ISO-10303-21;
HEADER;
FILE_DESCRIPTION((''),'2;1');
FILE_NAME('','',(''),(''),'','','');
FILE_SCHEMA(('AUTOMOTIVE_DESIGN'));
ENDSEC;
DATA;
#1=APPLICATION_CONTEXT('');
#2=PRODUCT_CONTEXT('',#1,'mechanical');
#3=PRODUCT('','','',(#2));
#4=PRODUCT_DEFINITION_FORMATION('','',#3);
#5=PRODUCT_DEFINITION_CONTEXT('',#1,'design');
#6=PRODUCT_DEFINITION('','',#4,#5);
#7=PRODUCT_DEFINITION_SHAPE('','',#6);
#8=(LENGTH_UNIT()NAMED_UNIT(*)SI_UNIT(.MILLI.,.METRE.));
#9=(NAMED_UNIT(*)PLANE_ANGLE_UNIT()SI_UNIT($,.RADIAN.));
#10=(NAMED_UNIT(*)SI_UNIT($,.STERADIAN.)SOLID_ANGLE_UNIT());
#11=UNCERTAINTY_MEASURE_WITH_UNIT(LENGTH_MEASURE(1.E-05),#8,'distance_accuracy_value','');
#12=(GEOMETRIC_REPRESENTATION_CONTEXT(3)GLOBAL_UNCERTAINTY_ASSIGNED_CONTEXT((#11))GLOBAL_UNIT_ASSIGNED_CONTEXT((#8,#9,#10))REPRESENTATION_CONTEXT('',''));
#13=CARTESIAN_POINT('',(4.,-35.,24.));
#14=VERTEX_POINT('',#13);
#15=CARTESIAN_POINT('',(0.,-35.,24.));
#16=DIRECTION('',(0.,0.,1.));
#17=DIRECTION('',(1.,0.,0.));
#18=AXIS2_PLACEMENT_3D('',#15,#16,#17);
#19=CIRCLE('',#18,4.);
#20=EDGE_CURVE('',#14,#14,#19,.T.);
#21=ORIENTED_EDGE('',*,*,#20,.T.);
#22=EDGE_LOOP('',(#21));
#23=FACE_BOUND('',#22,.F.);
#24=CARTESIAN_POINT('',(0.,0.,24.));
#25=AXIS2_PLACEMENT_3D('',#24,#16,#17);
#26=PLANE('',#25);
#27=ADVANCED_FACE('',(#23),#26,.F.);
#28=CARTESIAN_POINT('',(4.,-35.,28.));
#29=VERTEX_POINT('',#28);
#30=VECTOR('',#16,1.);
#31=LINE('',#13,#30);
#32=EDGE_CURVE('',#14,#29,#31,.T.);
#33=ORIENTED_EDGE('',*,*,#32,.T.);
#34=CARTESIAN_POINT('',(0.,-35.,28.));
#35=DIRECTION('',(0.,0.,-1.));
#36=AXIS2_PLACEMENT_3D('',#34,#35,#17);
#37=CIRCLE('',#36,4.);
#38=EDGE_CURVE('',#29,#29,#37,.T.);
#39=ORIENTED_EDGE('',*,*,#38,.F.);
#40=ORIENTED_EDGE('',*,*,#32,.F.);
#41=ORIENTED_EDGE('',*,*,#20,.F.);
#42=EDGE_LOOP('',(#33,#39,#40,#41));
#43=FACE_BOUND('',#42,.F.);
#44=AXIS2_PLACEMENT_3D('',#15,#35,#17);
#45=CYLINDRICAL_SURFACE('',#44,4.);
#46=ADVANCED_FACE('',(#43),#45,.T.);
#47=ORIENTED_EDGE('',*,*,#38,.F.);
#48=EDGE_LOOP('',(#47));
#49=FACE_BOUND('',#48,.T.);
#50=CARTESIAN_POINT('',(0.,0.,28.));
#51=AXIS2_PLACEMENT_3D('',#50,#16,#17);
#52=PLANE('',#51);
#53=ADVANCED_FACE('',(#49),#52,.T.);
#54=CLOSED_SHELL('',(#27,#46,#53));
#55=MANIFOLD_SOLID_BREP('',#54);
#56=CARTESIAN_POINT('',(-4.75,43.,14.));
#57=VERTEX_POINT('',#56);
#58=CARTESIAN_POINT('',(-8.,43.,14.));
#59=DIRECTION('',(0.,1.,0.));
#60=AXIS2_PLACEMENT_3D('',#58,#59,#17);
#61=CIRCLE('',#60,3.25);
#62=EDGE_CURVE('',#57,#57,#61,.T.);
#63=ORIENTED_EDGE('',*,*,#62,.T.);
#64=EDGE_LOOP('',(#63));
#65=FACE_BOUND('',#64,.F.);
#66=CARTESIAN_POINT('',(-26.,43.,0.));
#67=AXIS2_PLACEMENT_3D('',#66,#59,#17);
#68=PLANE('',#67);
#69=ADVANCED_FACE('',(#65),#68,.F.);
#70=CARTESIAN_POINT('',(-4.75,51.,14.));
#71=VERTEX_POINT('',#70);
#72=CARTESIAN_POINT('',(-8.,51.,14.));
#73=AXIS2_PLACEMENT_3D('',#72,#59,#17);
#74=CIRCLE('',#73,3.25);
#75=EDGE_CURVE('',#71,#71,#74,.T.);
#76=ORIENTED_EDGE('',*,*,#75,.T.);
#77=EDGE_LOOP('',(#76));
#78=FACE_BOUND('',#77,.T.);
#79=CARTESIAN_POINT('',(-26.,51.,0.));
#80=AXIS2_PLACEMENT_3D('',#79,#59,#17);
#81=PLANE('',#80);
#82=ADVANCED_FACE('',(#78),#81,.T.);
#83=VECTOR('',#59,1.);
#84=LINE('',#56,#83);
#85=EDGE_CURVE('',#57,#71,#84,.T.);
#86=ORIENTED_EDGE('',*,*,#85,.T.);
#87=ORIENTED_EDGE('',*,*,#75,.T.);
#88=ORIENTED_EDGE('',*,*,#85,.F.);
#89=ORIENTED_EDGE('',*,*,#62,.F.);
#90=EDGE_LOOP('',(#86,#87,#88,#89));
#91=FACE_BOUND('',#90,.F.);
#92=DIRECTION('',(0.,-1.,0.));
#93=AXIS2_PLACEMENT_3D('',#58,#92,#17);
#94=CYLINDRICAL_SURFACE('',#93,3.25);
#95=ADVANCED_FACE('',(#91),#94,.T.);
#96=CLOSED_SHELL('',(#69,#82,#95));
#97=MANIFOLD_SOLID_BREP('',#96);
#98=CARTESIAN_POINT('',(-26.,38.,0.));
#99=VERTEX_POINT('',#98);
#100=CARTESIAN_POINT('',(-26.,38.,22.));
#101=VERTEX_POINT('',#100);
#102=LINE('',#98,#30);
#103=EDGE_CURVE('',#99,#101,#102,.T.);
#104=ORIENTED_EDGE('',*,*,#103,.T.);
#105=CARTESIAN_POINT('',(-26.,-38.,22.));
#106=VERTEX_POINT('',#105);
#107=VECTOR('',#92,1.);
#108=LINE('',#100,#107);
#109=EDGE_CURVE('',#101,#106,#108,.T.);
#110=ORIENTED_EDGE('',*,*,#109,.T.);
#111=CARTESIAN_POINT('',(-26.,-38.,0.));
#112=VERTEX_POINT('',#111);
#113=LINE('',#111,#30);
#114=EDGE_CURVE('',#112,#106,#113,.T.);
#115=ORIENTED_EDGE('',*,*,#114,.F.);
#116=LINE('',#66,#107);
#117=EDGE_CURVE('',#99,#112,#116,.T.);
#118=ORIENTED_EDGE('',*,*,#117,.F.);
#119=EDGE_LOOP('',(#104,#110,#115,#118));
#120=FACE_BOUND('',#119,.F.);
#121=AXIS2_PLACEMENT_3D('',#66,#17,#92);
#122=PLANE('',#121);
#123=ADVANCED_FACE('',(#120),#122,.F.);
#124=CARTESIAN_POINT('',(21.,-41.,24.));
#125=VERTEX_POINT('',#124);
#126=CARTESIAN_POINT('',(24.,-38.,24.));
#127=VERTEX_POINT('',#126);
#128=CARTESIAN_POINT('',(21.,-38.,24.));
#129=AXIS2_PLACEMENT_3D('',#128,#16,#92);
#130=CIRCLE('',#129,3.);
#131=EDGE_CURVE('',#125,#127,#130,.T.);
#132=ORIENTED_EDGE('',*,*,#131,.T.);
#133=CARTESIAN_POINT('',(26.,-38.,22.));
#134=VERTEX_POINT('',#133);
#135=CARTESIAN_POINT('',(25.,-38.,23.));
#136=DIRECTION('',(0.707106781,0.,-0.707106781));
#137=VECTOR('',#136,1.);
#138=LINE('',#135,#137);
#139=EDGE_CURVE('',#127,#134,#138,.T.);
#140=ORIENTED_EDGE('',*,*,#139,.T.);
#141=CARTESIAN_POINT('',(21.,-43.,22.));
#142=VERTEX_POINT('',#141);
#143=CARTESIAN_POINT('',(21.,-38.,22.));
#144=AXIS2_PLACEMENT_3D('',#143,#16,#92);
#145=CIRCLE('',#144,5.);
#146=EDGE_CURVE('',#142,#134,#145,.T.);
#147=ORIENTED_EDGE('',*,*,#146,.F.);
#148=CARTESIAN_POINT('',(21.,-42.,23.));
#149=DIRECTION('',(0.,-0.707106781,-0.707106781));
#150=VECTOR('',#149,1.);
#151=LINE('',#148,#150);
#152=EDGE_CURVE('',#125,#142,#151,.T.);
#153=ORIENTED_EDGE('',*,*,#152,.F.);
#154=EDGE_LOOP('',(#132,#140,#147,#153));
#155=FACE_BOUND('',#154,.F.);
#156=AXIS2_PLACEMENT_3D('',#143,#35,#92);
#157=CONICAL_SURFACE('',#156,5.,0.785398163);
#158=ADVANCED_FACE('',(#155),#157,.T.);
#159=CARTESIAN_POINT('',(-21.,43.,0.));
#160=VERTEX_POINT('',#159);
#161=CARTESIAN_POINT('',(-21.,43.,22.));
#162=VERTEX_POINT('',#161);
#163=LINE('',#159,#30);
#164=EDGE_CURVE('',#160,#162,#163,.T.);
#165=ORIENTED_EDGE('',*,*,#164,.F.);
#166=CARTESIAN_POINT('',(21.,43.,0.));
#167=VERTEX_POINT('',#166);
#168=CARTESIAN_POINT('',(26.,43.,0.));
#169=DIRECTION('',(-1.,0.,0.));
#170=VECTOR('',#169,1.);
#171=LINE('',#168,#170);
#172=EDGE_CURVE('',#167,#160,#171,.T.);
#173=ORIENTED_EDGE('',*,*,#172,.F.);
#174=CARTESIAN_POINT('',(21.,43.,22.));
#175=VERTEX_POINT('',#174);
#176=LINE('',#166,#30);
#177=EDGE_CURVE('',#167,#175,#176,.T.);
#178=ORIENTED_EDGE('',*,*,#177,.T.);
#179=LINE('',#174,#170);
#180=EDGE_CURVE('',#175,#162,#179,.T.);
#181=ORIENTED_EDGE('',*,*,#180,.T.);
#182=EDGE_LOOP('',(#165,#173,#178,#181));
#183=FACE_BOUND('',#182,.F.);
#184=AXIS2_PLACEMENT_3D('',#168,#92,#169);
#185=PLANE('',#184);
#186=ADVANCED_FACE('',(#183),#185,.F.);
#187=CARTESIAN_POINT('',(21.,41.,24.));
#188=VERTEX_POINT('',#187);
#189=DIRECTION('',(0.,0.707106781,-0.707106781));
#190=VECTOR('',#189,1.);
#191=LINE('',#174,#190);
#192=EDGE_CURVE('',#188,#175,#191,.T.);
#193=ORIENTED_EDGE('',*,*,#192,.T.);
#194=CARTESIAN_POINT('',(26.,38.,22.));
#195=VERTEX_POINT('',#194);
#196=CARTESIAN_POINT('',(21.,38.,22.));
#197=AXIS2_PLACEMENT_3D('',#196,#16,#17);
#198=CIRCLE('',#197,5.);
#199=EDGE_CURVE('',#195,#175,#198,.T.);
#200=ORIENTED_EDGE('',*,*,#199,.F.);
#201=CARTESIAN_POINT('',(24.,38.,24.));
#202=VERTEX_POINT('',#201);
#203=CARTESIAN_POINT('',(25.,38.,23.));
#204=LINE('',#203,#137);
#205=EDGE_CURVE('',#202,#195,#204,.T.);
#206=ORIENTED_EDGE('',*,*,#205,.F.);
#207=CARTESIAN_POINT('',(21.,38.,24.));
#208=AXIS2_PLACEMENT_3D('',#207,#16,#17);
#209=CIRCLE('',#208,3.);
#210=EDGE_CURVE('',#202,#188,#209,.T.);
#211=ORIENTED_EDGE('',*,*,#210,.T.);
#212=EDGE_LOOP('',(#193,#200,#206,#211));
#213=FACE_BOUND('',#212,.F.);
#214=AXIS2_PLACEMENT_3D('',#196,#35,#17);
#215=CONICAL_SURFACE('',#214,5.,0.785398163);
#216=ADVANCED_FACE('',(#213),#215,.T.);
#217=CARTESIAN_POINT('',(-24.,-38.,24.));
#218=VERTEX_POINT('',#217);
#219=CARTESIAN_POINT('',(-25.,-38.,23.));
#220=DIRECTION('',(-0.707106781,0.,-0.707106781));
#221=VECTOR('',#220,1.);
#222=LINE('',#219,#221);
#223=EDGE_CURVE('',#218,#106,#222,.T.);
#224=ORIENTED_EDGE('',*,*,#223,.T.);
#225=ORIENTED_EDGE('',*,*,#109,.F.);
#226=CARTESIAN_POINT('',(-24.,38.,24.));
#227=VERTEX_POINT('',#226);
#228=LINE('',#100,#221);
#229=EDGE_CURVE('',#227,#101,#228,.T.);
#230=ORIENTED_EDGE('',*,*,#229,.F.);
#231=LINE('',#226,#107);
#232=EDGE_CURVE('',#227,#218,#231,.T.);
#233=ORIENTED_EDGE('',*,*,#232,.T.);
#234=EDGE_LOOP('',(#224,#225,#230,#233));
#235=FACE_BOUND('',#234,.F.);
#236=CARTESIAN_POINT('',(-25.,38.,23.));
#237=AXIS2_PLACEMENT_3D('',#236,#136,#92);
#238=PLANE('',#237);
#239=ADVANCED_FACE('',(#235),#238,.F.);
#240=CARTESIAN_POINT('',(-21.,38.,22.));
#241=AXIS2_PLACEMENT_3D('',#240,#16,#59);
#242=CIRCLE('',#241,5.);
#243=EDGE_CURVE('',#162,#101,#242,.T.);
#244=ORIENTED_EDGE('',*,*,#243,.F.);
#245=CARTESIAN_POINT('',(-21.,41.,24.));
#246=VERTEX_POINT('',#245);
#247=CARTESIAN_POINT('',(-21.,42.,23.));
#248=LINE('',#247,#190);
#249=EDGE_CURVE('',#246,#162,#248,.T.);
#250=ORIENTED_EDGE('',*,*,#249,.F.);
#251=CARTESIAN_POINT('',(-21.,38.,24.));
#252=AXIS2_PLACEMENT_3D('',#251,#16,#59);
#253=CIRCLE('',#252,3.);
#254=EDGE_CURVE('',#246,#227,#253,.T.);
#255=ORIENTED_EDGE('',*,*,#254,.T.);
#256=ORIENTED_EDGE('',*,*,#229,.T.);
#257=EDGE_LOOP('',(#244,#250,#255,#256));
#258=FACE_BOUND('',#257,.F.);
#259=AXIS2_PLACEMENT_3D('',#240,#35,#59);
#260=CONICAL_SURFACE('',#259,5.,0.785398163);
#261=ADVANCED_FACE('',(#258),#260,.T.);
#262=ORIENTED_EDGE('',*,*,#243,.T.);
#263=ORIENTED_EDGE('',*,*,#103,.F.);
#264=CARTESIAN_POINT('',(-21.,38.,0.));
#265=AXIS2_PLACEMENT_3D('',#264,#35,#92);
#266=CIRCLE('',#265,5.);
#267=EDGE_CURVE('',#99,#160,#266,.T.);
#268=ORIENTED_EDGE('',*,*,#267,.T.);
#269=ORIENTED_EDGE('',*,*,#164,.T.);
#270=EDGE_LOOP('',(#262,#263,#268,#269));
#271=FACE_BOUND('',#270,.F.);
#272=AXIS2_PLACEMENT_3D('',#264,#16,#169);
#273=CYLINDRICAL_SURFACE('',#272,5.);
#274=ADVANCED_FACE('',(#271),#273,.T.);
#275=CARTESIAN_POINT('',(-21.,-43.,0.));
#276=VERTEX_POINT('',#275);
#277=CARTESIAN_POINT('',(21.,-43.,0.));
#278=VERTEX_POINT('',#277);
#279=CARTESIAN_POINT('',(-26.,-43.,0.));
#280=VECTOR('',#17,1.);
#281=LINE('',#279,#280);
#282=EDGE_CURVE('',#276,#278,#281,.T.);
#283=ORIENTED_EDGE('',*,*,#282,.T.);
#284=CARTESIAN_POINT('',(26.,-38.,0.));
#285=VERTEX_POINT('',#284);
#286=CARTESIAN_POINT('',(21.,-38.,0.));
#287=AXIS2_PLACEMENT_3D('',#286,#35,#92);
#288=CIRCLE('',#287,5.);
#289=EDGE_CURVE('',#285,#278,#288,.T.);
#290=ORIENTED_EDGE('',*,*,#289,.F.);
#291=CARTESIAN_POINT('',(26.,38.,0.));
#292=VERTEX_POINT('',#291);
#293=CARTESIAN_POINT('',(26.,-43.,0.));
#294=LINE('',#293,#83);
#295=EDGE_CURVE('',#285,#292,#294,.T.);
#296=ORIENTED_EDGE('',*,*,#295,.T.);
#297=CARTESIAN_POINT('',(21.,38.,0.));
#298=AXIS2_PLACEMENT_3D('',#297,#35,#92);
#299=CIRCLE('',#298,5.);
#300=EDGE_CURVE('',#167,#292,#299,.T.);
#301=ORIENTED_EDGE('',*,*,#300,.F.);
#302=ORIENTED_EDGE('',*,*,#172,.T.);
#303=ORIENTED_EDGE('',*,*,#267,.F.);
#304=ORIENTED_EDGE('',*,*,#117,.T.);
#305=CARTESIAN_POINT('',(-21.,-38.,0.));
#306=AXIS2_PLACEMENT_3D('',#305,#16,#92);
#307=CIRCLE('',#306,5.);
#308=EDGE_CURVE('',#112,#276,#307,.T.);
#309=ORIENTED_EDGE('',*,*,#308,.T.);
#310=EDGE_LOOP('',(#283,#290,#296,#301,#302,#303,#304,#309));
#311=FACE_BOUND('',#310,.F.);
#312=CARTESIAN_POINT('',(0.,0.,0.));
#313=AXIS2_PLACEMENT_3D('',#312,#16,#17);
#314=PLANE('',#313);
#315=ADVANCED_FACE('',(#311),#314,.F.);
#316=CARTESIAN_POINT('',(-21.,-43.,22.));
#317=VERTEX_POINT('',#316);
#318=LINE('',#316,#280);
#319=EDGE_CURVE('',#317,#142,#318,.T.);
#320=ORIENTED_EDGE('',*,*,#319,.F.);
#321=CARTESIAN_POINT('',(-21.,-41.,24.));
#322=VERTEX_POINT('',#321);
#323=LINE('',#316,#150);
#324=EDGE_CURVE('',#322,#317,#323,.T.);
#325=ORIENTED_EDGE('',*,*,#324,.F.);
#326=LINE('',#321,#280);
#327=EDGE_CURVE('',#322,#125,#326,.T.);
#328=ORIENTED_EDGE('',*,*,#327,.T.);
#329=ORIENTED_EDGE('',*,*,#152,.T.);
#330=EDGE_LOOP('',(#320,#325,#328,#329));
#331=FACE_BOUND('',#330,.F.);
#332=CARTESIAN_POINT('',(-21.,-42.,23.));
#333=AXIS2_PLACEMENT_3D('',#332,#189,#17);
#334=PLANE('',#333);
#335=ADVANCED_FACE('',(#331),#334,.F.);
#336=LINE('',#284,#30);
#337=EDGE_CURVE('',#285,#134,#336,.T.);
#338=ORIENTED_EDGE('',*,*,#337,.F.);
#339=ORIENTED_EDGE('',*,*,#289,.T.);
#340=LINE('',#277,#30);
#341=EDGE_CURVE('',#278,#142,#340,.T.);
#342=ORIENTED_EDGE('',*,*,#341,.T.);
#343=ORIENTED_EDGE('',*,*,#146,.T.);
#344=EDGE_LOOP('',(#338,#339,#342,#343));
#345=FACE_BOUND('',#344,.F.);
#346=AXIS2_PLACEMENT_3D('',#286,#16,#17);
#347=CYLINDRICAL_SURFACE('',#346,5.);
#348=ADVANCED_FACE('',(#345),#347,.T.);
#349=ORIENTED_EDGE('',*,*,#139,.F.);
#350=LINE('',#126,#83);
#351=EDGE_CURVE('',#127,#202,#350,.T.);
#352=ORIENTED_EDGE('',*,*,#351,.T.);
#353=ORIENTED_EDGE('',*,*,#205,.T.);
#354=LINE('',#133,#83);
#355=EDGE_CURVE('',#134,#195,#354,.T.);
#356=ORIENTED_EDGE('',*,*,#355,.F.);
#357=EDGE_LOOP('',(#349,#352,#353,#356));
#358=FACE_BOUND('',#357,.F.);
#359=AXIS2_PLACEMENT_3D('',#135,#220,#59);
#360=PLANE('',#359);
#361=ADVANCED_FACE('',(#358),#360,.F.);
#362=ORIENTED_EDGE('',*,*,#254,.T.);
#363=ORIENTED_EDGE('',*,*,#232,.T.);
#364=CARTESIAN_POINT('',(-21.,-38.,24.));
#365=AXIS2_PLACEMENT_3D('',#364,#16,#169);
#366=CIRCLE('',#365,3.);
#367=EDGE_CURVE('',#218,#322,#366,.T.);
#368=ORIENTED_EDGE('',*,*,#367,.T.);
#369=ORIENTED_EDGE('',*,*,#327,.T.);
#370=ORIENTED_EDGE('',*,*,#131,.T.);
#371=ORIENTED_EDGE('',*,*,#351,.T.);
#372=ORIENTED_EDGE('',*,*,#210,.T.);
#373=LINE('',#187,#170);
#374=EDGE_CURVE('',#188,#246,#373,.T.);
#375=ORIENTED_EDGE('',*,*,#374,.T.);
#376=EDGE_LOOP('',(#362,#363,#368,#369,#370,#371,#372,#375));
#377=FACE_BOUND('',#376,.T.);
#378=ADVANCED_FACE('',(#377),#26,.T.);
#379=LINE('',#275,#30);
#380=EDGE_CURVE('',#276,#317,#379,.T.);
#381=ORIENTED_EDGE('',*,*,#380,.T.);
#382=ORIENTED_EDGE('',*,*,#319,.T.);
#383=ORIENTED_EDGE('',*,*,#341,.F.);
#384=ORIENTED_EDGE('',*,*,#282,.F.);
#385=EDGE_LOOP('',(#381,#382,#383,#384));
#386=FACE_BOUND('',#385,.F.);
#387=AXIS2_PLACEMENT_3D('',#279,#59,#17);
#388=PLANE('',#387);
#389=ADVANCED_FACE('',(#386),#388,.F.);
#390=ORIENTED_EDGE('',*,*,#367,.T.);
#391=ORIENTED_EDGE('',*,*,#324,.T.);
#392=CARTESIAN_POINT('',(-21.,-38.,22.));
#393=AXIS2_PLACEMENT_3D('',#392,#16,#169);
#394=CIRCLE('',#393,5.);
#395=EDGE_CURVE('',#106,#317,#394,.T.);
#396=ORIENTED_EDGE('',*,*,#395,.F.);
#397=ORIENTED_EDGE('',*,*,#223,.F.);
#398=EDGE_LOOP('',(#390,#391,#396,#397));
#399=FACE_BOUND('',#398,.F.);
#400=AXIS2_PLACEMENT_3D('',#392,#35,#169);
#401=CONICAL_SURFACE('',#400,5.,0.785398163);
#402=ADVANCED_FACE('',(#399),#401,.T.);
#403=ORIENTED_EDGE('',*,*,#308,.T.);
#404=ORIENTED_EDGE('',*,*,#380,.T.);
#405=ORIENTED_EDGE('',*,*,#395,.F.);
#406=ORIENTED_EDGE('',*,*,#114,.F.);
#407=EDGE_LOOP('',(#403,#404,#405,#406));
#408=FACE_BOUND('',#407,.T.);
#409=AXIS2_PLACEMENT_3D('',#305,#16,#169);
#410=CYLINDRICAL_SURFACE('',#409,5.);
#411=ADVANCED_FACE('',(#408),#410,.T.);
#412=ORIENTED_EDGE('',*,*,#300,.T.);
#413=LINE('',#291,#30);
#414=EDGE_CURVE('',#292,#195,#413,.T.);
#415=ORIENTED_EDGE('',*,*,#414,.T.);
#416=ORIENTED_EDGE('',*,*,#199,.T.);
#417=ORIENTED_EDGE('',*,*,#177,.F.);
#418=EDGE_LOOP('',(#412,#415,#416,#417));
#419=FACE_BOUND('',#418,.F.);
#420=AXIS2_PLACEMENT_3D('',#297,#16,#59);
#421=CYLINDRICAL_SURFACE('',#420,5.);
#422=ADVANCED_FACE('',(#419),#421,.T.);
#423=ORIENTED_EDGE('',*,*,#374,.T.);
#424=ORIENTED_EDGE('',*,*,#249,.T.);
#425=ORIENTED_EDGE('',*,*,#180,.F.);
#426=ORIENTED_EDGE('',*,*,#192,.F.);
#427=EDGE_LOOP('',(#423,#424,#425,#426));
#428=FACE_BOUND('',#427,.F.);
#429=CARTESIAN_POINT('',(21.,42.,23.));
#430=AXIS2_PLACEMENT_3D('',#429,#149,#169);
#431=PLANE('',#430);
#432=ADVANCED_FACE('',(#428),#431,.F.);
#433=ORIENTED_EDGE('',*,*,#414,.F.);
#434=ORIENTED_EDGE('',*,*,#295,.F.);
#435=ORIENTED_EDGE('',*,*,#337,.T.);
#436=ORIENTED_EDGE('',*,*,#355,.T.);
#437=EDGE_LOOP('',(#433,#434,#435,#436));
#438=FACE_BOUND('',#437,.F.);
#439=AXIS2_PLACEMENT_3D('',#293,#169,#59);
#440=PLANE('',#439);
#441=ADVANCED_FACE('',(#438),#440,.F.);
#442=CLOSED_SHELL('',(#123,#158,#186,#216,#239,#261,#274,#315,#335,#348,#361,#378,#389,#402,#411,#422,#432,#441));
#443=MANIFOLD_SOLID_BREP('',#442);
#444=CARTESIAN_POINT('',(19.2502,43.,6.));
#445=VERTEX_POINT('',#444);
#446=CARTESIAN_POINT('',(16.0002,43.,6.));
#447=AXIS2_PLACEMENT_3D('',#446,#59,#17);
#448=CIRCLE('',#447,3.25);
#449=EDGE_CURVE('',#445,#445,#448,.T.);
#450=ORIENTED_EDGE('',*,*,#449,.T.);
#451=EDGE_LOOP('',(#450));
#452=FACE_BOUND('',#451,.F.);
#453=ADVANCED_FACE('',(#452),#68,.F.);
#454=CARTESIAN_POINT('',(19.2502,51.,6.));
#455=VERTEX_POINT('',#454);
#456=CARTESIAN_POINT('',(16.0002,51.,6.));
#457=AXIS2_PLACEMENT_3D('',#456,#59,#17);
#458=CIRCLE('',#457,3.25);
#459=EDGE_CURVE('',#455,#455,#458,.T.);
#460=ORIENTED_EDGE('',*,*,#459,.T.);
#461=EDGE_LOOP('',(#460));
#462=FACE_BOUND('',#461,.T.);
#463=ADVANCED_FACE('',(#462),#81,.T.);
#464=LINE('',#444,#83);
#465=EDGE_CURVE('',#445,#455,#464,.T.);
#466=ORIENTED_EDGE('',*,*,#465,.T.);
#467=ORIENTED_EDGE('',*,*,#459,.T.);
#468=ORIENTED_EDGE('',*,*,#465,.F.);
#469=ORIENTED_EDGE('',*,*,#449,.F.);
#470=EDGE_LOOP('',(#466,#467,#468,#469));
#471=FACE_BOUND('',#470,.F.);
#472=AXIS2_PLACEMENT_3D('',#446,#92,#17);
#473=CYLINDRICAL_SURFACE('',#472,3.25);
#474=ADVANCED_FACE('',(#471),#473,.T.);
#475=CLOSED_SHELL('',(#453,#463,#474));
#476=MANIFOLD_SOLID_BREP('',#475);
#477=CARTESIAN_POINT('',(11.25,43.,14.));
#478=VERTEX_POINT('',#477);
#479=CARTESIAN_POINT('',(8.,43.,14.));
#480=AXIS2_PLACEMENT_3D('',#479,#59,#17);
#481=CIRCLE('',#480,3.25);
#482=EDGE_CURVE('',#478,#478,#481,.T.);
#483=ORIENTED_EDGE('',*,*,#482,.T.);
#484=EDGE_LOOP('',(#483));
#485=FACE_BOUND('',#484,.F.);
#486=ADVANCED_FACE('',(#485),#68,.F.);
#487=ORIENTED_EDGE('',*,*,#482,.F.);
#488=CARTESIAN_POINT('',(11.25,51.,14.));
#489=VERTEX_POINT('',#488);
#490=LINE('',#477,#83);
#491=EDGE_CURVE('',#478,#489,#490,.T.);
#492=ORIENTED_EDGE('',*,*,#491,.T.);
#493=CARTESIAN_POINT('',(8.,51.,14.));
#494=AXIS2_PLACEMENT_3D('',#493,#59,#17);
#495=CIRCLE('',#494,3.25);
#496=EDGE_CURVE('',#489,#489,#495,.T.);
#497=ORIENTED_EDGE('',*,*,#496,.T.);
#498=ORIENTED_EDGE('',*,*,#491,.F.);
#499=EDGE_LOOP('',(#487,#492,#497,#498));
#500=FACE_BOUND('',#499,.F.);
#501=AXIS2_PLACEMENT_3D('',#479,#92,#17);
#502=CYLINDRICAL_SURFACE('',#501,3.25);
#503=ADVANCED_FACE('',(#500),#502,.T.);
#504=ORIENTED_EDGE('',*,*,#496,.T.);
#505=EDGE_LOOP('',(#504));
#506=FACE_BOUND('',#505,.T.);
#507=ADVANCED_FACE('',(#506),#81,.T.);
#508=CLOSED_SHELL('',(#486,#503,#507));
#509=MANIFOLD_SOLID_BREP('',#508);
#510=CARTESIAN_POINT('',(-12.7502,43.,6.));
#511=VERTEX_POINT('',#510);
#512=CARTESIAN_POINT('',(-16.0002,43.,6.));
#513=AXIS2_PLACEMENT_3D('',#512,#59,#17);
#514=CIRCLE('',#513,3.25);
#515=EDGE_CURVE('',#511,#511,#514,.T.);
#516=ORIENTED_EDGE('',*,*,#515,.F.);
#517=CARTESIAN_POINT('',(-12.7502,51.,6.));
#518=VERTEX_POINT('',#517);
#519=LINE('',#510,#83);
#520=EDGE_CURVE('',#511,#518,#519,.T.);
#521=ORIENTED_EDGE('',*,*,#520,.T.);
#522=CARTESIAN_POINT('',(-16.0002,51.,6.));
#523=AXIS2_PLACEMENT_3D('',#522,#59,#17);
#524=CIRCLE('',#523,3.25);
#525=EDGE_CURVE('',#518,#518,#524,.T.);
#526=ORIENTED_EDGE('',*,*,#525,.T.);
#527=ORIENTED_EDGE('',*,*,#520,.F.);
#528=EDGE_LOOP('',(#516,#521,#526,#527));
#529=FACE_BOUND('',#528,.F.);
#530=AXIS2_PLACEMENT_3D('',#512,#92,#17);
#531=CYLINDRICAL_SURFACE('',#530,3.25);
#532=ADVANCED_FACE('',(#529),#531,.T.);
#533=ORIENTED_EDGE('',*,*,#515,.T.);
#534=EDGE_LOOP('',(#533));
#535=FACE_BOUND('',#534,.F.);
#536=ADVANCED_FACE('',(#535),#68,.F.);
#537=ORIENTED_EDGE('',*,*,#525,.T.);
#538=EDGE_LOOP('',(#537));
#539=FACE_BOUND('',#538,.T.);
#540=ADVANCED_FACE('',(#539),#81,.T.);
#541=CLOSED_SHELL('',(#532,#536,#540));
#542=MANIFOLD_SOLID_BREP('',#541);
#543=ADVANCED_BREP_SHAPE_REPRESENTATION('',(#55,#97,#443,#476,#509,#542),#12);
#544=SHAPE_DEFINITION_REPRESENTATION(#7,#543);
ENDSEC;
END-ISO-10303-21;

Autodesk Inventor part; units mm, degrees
ref_plane "YZ Plane" through (0, 0, 0) normal (1, 0, 0) x (0, 1, 0)
ref_plane "XZ Plane" through (0, 0, 0) normal (0, 1, 0) x (-1, 0, 0)
ref_plane "XY Plane" through (0, 0, 0) normal (0, 0, 1) x (1, 0, 0)
sketch "Sketch1" plane through (0, 0, 0) normal (0, 0, 1) x (1, 0, 0)
  line L0 (-26, -43) -> (26, -43)
  line L1 (26, -43) -> (26, 43)
  line L2 (26, 43) -> (-26, 43)
  line L3 (-26, 43) -> (-26, -43)
  line L4 (-26, -43) -> (26, 43) construction
  line L5 (26, -43) -> (-26, 43) construction
  point P0 (0, 0)
  dimension "d0" = 52
  dimension "d1" = 86
extrude "Extrusion1" add sketch "Sketch1" along normal blind 24
sketch "Sketch2" plane through (-26, 43, 0) normal (0, 1, 0) x (1, 0, 0)
  circle A0 centre (34, -14) radius 3.25
  circle A1 centre (42.0002, -6) radius 3.25
  line L0 (52, 0) -> (0, 0) projected
  line L1 (52, -24) -> (0, -24) projected
  line L2 (26, 4.8) -> (26, -28.8) projected
  circle A2 centre (18, -14) radius 3.25
  circle A3 centre (9.9998, -6) radius 3.25
  point P0 (26, 0)
  dimension "d4" = 6.5
  dimension "d5" = 6.5
  dimension "d6" = 6
  dimension "d7" = 10
  dimension "d8" = 8
  dimension "d9" = 16.0002
extrude "Extrusion2" add sketch "Sketch2" along normal blind 8 separate body
sketch "Sketch3" plane through (0, 0, 24) normal (0, 0, 1) x (1, 0, 0)
  line L0 (0, 69.8) -> (0, -61.8) projected
  circle A0 centre (0, -35) radius 4
  line L1 (-26, -43) -> (26, -43) projected
  point P0 (0, 0)
  dimension "d12" = 8
  dimension "d13" = 8
extrude "Extrusion3" add sketch "Sketch3" along normal blind 4 separate body
fillet "Fillet1" radius 5 4 edges at (26, -43, 12) (-26, -43, 12) (26, 43, 12) (-26, 43, 12)
chamfer "Chamfer1" distance 2 angle 45 8 edges at (26, 0, 24) (24.5355, 41.5355, 24) (0, 43, 24) (-24.5355, 41.5355, 24) (-26, 0, 24) (-24.5355, -41.5355, 24) (0, -43, 24) (24.5355, -41.5355, 24)
equation "\"d5\" = d4"
properties part number "SatLab UAV_RTK"
